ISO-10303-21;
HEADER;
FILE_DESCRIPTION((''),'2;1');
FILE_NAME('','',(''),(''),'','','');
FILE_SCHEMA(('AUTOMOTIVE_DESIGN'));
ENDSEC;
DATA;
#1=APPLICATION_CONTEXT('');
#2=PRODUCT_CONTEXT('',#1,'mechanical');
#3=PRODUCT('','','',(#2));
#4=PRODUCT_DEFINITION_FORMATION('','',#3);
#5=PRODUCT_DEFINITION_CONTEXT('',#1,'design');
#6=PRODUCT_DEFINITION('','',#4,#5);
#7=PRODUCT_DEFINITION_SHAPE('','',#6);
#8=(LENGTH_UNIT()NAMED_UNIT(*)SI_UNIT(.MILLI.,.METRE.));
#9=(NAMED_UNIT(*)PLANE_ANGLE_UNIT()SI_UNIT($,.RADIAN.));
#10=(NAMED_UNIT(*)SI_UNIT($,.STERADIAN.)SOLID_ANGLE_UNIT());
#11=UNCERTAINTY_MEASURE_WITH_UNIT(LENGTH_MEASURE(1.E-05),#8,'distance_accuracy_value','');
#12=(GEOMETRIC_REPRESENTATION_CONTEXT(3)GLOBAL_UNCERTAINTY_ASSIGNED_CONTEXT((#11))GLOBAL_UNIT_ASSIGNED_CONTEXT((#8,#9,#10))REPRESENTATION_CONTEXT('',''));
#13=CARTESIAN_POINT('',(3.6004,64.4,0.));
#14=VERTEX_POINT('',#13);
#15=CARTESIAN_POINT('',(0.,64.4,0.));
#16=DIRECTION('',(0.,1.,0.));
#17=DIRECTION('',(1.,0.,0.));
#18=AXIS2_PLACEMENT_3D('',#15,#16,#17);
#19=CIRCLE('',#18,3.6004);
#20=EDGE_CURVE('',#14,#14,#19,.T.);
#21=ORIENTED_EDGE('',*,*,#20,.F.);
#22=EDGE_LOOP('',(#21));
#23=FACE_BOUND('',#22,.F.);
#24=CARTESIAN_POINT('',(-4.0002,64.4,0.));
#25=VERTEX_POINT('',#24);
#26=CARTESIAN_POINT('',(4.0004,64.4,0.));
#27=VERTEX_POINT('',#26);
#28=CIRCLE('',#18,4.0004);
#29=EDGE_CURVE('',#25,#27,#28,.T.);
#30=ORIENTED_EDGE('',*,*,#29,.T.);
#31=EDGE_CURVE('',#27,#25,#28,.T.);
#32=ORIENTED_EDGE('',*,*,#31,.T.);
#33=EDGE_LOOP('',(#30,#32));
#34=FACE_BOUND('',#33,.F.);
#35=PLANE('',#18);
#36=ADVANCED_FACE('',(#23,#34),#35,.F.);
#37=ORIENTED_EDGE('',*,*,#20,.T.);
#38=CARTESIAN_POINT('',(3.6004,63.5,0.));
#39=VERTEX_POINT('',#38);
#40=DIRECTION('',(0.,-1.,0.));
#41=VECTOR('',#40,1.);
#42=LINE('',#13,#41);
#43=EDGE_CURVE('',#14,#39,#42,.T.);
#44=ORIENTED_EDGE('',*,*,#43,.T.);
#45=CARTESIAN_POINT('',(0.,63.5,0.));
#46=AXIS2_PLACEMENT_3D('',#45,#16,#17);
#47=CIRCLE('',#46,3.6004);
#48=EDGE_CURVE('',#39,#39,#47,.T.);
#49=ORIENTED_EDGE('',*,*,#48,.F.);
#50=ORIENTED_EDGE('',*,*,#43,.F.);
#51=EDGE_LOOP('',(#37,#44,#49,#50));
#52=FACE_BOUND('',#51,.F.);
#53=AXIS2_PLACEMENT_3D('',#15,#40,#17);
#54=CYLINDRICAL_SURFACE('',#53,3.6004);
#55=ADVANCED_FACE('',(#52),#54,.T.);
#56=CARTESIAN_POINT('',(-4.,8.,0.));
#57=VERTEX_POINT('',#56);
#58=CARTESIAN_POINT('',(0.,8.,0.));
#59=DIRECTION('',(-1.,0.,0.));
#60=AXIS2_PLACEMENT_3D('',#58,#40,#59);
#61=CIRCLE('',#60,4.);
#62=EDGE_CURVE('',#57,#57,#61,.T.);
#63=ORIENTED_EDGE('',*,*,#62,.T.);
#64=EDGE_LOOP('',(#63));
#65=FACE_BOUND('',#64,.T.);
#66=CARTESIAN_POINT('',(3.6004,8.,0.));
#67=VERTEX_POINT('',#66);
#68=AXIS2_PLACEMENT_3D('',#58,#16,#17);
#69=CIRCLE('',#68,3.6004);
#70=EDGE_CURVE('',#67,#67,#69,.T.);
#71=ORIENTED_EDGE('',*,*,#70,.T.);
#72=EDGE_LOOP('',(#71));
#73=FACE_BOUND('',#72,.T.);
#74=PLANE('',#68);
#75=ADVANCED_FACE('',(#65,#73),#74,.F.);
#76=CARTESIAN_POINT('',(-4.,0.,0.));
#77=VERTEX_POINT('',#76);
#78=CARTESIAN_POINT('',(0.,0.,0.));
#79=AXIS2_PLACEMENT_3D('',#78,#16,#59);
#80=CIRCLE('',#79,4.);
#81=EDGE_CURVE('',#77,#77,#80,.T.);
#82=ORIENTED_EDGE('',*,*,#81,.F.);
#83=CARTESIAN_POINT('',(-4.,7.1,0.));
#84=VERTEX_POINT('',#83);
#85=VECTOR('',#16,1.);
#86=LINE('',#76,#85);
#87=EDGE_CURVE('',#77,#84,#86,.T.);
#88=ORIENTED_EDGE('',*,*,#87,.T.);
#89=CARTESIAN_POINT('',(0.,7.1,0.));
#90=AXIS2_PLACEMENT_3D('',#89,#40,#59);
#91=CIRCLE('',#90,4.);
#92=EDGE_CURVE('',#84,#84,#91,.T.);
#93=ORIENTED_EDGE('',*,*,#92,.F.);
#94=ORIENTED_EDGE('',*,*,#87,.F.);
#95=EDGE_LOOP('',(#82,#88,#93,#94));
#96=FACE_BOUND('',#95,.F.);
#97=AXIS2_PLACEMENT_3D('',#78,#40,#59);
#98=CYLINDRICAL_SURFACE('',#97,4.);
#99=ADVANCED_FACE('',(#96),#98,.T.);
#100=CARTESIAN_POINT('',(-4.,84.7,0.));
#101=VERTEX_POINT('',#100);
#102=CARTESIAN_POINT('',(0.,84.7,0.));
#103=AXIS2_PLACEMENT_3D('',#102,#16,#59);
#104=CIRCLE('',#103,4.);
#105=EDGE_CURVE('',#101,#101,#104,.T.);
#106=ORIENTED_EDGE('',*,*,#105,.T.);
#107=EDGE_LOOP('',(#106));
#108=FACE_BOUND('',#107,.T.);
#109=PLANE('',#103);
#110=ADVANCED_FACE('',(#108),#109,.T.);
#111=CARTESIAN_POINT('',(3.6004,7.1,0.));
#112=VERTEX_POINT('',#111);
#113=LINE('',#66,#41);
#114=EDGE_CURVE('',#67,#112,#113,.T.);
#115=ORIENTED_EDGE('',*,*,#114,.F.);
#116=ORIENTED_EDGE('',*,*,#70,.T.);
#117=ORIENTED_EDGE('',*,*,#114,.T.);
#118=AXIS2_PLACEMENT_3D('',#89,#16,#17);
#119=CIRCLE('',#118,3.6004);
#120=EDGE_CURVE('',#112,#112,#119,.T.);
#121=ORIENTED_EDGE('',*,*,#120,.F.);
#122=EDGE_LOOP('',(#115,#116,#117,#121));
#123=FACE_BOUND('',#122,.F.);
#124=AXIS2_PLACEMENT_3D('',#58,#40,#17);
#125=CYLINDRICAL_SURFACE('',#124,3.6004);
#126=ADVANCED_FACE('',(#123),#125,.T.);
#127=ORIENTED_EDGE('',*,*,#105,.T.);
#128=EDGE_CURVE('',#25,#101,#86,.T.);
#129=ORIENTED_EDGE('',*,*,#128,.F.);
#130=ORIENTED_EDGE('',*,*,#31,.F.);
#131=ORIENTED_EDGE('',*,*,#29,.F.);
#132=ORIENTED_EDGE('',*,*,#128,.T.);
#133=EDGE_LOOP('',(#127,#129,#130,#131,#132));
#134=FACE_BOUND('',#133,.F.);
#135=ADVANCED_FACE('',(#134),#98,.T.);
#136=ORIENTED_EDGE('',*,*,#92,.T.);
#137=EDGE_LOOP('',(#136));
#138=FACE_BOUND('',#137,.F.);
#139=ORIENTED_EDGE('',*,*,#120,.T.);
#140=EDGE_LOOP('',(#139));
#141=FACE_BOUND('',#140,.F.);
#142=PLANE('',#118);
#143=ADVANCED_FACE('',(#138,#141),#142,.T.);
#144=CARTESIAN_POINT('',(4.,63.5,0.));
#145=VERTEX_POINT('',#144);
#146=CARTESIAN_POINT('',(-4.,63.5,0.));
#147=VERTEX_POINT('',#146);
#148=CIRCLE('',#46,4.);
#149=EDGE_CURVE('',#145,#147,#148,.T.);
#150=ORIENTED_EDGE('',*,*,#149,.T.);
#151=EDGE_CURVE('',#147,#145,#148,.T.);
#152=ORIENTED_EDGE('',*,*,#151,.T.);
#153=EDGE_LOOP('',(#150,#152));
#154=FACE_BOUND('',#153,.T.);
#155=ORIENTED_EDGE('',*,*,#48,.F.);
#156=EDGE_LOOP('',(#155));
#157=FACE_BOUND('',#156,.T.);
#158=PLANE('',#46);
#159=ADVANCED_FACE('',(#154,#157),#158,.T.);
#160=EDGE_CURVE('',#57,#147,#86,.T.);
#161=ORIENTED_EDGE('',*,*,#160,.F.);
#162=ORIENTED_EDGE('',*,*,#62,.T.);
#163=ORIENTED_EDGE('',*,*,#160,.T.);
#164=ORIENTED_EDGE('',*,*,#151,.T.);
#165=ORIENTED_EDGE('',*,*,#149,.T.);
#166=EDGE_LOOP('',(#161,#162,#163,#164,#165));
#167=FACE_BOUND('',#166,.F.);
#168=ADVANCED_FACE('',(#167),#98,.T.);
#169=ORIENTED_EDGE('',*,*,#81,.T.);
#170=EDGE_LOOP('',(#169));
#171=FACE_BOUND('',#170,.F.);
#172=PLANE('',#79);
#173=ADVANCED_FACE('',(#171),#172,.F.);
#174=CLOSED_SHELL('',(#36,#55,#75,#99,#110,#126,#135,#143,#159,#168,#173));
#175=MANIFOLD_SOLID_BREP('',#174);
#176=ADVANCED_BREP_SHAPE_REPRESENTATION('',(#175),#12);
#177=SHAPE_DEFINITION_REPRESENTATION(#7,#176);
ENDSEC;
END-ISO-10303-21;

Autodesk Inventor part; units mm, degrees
ref_plane "YZ Plane" through (0, 0, 0) normal (1, 0, 0) x (0, 1, 0)
ref_plane "XZ Plane" through (0, 0, 0) normal (0, 1, 0) x (-1, 0, 0)
sketch "Sketch1" plane through (0, 0, 0) normal (0, 1, 0) x (-1, 0, 0)
  circle A0 centre (0, 0) radius 4
  dimension "d0" = 8
extrude "Extrusion1" add sketch "Sketch1" along normal blind 84.7
ref_plane "Work Plane2" through (0, 63.5, 0) normal (0, -1, 0) x (1, 0, 0)
ref_plane "Work Plane1" through (0, 8, 0) normal (0, -1, 0) x (1, 0, 0)
sketch "Sketch3" plane through (0, 0, 0) normal (0, 0, 1) x (1, 0, 0)
  line L0 (4, 84.7) -> (-4, 84.7) projected
  line L1 (4, 0) -> (-4, 0) projected
  line L2 (4, 84.7) -> (-4, 84.7) projected
  line L3 (4, 0) -> (-4, 0) projected
  line L4 (4, 63.5) -> (-4, 63.5)
  line L5 (3.6004, 63.5) -> (4.0004, 63.5)
  line L6 (4.0004, 63.5) -> (4.0004, 64.4)
  line L7 (4.0004, 64.4) -> (3.6004, 64.4)
  line L8 (3.6004, 64.4) -> (3.6004, 63.5)
  line L9 (0, -16.94) -> (0, 101.64) projected
  line L10 (-4, 8) -> (4.0004, 8)
  line L11 (4.0004, 8) -> (3.6004, 8)
  line L12 (3.6004, 8) -> (3.6004, 7.1)
  line L13 (3.6004, 7.1) -> (4.0004, 7.1)
  line L14 (4.0004, 7.1) -> (4.0004, 8)
  point P0 (0, 0)
  dimension "d7" = 63.5
  dimension "d8" = 0.4
  dimension "d9" = 0.9
  dimension "d12" = 8
  dimension "d13" = 0.4
  dimension "d14" = 0.9
revolve "Revolution2" cut sketch "Sketch3" angle 360 about axis through (0, -10, 0) along (0, 1, 0)
properties part number "FlipperRoundShaft"
